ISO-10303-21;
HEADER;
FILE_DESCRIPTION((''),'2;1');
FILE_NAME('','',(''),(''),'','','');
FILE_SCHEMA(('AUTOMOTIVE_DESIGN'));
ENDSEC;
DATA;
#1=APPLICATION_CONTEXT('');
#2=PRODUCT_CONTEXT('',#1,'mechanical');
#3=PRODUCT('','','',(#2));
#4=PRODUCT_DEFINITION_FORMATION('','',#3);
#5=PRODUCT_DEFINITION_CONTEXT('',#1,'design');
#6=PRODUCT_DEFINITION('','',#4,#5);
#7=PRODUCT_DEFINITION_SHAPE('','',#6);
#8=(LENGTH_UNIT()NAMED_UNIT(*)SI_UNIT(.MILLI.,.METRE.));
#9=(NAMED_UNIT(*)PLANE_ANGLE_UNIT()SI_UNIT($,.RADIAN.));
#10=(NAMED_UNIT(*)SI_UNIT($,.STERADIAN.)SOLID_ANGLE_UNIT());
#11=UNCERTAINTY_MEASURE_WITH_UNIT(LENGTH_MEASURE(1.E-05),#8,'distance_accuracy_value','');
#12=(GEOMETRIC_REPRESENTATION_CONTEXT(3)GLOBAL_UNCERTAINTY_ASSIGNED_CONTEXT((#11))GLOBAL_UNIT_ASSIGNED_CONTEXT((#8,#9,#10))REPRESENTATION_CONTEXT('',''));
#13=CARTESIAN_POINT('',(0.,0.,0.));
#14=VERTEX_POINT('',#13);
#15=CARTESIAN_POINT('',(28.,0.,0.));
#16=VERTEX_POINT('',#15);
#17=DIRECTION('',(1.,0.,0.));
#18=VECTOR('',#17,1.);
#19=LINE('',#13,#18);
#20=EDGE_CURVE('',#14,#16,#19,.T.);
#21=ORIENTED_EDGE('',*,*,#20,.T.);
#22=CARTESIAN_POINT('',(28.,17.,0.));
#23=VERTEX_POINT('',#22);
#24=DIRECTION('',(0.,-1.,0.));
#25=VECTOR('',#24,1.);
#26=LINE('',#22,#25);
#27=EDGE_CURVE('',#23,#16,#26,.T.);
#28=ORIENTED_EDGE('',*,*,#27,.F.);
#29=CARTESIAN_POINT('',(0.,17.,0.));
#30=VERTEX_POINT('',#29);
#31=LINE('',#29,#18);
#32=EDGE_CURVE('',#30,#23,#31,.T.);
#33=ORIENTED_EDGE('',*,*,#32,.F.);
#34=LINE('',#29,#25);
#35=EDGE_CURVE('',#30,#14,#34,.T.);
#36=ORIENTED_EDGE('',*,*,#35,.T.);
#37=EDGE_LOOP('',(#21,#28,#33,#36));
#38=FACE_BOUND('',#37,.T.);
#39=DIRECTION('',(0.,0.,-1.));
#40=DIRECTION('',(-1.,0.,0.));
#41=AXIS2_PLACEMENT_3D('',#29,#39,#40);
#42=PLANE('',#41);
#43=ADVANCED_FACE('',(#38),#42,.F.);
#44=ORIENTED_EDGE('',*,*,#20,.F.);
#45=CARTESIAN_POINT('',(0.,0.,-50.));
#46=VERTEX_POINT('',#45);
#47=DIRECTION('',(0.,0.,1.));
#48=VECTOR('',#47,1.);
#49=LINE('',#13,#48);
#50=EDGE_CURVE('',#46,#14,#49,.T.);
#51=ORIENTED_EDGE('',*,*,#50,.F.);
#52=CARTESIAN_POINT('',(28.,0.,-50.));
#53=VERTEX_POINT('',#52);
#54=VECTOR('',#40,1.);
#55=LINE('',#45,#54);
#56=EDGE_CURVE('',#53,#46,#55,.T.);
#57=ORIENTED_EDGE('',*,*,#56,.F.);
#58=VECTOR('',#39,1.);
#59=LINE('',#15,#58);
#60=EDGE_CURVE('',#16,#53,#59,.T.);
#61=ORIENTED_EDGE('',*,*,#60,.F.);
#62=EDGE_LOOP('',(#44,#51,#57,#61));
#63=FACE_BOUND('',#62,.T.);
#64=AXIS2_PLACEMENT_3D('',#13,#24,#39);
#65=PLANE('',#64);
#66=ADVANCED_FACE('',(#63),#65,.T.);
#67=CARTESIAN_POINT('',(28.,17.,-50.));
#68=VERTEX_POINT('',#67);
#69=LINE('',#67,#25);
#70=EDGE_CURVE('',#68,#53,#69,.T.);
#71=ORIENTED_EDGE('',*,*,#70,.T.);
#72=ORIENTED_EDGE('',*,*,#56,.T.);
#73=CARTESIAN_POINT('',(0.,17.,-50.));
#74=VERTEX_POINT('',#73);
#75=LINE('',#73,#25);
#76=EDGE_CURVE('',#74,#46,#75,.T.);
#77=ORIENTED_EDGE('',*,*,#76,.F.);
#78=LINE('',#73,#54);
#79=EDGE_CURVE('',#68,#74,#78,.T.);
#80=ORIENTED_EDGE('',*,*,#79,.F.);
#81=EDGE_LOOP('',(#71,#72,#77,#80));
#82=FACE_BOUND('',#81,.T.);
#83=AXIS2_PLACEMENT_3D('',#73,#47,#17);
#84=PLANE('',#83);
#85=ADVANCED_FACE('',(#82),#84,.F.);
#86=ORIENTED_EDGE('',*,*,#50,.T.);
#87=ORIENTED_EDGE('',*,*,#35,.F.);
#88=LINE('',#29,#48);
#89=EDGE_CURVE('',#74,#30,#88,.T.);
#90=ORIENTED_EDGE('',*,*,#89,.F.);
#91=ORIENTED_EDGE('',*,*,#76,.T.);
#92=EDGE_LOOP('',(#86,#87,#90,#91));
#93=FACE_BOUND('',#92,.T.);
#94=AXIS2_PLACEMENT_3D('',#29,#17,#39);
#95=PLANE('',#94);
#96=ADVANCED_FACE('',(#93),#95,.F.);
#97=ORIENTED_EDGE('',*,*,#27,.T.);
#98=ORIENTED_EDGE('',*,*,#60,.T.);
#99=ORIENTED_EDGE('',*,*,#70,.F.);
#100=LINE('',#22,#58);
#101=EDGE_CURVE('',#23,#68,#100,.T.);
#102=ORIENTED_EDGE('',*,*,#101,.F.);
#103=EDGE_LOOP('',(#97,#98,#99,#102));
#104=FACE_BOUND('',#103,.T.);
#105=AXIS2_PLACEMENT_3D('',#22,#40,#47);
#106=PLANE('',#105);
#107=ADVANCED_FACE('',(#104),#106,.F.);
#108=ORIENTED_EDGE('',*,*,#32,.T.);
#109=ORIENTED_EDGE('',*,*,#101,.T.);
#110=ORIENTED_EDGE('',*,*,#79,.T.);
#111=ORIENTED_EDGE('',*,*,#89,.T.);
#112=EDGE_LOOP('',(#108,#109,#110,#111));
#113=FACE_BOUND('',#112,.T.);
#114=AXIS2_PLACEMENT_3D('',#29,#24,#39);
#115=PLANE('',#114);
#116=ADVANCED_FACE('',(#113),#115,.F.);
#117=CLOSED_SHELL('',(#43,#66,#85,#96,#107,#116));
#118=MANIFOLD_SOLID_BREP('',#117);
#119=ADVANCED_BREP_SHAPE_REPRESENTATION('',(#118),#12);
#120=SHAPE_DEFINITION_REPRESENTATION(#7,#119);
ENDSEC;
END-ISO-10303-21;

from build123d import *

# Parameters (mm, degrees)
ESBO_O1_W                = 28
ESBO_O1_H                = 50
RESSALTO_EXTRUS_O1_DEPTH = 17


with BuildPart() as part:
    # Esboço1 → Ressalto-extrusão1 (new body)
    with BuildSketch(Plane(origin=(0, 0, 0), x_dir=(1, 0, 0), z_dir=(0, 1, 0))):
        with Locations((14, 25)):
            Rectangle(ESBO_O1_W, ESBO_O1_H)
    extrude(amount=RESSALTO_EXTRUS_O1_DEPTH)


solid = part.part
